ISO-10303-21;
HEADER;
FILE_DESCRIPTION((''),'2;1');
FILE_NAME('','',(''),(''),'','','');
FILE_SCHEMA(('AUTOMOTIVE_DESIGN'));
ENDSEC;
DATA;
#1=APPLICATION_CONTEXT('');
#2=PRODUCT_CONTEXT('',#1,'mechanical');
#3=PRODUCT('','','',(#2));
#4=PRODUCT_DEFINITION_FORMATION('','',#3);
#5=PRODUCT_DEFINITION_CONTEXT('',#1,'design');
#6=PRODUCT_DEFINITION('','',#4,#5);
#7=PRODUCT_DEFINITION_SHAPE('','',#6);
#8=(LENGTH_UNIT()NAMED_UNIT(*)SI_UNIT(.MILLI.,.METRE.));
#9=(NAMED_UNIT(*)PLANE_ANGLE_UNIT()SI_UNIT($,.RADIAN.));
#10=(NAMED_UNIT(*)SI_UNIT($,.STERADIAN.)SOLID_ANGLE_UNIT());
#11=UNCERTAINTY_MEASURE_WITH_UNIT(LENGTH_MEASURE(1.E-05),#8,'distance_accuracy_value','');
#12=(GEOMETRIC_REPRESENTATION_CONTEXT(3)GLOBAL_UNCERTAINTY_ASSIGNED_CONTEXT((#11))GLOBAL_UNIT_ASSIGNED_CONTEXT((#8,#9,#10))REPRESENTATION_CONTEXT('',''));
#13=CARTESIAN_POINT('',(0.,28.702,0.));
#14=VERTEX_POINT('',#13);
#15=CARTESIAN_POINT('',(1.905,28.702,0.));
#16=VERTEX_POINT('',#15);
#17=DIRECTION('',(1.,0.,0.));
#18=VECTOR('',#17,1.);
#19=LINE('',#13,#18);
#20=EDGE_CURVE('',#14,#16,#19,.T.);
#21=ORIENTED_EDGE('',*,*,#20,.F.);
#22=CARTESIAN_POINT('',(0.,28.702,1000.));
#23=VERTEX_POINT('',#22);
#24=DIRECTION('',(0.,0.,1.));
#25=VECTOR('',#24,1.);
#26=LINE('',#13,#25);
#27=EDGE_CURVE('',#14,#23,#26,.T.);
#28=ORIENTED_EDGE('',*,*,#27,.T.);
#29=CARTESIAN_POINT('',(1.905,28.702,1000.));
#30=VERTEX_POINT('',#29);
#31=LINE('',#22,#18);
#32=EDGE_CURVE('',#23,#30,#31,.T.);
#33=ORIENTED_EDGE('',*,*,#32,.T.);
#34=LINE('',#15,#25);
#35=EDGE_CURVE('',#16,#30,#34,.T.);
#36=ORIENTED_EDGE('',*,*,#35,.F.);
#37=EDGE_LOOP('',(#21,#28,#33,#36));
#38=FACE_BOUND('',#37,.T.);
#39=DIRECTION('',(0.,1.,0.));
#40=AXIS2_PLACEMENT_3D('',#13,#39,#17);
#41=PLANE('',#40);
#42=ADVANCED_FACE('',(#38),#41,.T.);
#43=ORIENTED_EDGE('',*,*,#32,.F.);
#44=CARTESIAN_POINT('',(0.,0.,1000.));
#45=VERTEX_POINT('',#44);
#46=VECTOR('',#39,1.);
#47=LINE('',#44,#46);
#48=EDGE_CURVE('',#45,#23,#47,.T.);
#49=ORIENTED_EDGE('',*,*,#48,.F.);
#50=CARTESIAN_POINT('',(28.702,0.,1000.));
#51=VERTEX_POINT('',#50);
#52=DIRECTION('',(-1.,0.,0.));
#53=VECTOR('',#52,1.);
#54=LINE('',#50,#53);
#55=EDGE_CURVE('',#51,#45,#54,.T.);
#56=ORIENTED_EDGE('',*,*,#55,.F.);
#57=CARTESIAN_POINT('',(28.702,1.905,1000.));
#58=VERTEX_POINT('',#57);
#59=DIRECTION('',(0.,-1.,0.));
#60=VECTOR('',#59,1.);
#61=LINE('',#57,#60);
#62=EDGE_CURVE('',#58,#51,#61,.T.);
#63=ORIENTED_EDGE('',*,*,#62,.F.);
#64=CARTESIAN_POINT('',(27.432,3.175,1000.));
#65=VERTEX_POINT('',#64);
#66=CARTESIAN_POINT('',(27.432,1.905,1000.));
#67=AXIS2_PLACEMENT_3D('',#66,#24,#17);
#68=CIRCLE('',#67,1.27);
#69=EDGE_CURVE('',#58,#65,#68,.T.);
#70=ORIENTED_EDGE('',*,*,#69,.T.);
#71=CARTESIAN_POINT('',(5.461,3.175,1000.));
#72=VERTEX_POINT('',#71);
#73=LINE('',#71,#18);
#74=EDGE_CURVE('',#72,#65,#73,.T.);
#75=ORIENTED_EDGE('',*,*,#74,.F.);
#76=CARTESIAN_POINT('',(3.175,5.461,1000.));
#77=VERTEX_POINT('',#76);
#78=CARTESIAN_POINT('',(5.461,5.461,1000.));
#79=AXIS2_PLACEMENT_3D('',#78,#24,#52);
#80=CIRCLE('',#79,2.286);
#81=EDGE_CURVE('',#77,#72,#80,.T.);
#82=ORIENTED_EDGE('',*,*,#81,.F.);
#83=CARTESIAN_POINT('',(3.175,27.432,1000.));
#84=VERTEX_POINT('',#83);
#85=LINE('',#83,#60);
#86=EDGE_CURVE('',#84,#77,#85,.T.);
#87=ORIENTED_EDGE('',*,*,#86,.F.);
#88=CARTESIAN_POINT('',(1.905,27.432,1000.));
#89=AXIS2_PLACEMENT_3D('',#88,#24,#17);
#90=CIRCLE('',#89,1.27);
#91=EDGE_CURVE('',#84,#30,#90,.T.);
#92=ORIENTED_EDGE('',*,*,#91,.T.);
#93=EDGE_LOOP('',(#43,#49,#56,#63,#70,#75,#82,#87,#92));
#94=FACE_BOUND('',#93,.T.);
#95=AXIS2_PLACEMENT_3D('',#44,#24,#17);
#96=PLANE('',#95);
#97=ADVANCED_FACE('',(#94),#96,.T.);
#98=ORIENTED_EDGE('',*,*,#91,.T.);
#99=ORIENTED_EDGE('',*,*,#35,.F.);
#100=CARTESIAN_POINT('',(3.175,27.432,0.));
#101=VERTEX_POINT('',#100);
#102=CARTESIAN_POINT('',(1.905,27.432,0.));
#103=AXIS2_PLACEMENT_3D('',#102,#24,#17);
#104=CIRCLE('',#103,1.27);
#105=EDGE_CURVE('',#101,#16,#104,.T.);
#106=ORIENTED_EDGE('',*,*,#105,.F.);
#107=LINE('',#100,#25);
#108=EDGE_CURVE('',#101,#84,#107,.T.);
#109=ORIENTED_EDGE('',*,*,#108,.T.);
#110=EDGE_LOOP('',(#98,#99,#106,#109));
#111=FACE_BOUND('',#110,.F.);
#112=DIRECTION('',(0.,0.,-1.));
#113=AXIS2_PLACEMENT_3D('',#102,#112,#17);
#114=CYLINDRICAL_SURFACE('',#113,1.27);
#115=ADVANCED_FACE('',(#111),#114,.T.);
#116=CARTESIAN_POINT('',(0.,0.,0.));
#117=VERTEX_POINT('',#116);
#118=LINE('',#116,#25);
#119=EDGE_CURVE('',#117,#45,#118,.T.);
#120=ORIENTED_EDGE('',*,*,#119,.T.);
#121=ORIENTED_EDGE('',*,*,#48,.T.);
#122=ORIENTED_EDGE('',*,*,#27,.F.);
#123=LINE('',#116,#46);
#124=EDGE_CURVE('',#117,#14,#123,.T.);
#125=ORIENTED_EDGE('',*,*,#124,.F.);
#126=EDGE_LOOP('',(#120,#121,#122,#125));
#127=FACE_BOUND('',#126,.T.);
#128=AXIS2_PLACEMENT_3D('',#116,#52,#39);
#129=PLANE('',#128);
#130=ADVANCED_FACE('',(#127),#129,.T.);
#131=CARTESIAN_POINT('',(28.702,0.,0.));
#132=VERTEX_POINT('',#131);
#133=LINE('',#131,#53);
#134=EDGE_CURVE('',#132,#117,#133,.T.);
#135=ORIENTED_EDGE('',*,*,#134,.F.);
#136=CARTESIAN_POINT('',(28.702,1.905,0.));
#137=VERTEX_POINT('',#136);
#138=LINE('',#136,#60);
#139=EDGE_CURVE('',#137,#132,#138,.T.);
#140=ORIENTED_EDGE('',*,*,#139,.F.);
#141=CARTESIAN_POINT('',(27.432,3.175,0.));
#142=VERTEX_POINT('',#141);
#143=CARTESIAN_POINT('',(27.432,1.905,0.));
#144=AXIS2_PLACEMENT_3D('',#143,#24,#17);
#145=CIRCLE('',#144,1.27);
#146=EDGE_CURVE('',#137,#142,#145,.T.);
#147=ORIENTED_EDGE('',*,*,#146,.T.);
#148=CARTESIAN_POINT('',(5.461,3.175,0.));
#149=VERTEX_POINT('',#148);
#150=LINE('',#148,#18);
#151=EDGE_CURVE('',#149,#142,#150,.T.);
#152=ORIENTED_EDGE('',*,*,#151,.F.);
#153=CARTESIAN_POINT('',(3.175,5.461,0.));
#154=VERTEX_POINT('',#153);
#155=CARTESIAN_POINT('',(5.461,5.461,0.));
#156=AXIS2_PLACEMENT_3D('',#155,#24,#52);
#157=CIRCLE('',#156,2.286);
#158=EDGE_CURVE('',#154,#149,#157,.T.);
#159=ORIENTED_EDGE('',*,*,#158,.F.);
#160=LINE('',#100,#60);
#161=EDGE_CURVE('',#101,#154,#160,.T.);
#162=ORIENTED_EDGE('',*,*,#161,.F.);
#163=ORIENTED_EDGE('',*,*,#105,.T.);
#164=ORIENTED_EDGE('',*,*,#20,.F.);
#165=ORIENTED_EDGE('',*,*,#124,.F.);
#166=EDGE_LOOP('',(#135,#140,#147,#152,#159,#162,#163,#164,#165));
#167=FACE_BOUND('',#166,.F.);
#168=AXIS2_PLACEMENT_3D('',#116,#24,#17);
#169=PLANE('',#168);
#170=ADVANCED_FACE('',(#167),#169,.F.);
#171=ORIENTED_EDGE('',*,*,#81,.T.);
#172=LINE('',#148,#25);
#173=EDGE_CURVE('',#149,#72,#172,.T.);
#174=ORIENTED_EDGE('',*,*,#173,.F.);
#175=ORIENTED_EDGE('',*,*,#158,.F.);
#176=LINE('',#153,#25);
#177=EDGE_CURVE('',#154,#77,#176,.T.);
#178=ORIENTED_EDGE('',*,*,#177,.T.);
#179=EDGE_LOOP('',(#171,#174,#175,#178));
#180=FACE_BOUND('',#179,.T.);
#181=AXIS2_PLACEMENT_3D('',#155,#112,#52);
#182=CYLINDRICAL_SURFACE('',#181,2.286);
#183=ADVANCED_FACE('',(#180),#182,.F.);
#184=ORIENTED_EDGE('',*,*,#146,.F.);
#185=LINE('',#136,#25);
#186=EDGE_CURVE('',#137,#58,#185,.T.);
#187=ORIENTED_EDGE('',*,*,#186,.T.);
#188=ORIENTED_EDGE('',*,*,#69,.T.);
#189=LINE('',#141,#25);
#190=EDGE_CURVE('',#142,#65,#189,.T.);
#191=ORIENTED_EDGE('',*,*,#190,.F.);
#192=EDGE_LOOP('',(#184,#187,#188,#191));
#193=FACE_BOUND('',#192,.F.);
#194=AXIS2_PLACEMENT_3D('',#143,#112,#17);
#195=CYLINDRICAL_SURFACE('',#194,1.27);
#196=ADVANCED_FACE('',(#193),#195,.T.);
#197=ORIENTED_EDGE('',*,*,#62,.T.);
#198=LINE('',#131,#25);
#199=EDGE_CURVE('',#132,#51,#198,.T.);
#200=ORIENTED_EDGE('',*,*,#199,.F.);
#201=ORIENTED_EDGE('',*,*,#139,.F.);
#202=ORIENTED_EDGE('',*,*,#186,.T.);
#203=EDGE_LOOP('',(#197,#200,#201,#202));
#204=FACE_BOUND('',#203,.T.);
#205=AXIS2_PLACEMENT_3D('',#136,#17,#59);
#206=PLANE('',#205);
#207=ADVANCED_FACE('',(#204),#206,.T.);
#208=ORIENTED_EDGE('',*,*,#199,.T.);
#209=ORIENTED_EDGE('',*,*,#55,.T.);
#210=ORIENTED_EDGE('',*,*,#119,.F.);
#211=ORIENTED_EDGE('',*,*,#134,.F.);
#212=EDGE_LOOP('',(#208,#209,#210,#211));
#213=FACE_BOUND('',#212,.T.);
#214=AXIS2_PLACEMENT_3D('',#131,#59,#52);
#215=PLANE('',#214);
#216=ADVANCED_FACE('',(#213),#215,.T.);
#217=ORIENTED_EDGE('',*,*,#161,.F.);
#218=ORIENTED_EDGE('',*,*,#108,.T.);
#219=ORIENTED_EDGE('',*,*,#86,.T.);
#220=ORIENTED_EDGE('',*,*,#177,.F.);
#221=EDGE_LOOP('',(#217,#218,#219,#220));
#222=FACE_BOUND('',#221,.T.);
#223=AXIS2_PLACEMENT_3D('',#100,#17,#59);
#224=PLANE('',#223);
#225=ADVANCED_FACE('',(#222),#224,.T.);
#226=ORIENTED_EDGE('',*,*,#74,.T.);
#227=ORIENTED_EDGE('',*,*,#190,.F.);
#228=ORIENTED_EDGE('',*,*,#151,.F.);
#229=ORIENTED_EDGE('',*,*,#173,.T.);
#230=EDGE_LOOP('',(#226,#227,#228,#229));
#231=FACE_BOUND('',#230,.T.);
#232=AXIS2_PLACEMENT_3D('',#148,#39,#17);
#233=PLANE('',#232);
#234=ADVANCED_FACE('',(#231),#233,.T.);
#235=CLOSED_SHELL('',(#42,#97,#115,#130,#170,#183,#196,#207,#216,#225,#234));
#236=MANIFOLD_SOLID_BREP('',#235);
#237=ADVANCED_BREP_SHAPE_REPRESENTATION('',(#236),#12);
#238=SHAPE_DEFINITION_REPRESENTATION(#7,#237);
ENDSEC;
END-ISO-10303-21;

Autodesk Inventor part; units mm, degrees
ref_plane "YZ Plane" through (0, 0, 0) normal (1, 0, 0) x (0, 1, 0)
ref_plane "Start Plane" through (0, 0, 0) normal (0, 0, 1) x (1, 0, 0)
ref_plane "End Plane" through (0, 0, 1000) normal (0, 0, 1) x (1, 0, 0)
sketch "Sketch" plane through (0, 0, 0) normal (0, 0, 1) x (1, 0, 0)
  line L0 (28.702, 0) -> (0, 0)
  line L1 (0, 0) -> (0, 28.702)
  line L2 (0, 28.702) -> (1.905, 28.702)
  line L3 (3.175, 27.432) -> (3.175, 5.461)
  line L4 (5.461, 3.175) -> (27.432, 3.175)
  line L5 (28.702, 1.905) -> (28.702, 0)
  line L6 (0, -11.0414) -> (0, 31.5385) construction
  line L7 (-11.0414, 0) -> (31.5385, 0) construction
  arc A0 (3.175, 5.461) -> (5.461, 3.175) centre (5.461, 5.461) ccw
  arc A1 (3.175, 27.432) -> (1.905, 28.702) centre (1.905, 27.432) ccw
  arc A2 (28.702, 1.905) -> (27.432, 3.175) centre (27.432, 1.905) ccw
  line L8 (0, 40.0545) -> (0, -19.5574) construction
  line L9 (-19.5574, 0) -> (40.0545, 0) construction
  point P0 (3.175, 28.702)
  point P1 (3.175, 3.175)
  point P2 (28.702, 3.175)
  dimension "d0" = 28.702
  dimension "d1" = 28.702
  dimension "d2" = 3.175
  dimension "d3" = 3.175
  dimension "d10" = 0
  dimension "d11" = 0
  dimension "d14" = 2.286
  dimension "d15" = 1.27
extrude "Body" add sketch "Sketch" along normal up to surface (1000 mm away) from surface at 0
sketch "Sketch3" plane through (0, 0, 0) normal (0, 0, 1) x (1, 0, 0)
  line L0 (0, 0) -> (10, 0)
ref_plane "Work Plane3" through (0, 0, 0) normal (0, -1, 0) x (1, 0, 0)
sketch "Sketch4" plane through (0, 0, 0) normal (0, -1, 0) x (1, 0, 0)
  line L0 (-2, 0) -> (12, 0) projected
  line L1 (-2, 1000) -> (12, 1000) projected
  dimension "d17" = 1000
equation "\"d0\" = G_H"
equation "\"d1\" = G_H"
equation "\"d2\" = G_T"
equation "\"d3\" = G_T"
equation "\"d14\" = G_IR"
equation "\"d15\" = G_ER"
equation "\"d4\" = G_L"
equation "\"G_H\" = 28.702"
equation "\"G_T\" = 3.175"
equation "\"G_ER\" = 1.27"
equation "\"G_IR\" = 2.286"
equation "\"G_L\" = d17"
equation "\"ex\" = 0"
equation "\"G_OFFSET_START\" = 0"
equation "\"G_OFFSET_END\" = 0"
properties part number "AISC - L 1.13 x 1.13 x 1/8 - 39.37" material "Steel, Mild"
